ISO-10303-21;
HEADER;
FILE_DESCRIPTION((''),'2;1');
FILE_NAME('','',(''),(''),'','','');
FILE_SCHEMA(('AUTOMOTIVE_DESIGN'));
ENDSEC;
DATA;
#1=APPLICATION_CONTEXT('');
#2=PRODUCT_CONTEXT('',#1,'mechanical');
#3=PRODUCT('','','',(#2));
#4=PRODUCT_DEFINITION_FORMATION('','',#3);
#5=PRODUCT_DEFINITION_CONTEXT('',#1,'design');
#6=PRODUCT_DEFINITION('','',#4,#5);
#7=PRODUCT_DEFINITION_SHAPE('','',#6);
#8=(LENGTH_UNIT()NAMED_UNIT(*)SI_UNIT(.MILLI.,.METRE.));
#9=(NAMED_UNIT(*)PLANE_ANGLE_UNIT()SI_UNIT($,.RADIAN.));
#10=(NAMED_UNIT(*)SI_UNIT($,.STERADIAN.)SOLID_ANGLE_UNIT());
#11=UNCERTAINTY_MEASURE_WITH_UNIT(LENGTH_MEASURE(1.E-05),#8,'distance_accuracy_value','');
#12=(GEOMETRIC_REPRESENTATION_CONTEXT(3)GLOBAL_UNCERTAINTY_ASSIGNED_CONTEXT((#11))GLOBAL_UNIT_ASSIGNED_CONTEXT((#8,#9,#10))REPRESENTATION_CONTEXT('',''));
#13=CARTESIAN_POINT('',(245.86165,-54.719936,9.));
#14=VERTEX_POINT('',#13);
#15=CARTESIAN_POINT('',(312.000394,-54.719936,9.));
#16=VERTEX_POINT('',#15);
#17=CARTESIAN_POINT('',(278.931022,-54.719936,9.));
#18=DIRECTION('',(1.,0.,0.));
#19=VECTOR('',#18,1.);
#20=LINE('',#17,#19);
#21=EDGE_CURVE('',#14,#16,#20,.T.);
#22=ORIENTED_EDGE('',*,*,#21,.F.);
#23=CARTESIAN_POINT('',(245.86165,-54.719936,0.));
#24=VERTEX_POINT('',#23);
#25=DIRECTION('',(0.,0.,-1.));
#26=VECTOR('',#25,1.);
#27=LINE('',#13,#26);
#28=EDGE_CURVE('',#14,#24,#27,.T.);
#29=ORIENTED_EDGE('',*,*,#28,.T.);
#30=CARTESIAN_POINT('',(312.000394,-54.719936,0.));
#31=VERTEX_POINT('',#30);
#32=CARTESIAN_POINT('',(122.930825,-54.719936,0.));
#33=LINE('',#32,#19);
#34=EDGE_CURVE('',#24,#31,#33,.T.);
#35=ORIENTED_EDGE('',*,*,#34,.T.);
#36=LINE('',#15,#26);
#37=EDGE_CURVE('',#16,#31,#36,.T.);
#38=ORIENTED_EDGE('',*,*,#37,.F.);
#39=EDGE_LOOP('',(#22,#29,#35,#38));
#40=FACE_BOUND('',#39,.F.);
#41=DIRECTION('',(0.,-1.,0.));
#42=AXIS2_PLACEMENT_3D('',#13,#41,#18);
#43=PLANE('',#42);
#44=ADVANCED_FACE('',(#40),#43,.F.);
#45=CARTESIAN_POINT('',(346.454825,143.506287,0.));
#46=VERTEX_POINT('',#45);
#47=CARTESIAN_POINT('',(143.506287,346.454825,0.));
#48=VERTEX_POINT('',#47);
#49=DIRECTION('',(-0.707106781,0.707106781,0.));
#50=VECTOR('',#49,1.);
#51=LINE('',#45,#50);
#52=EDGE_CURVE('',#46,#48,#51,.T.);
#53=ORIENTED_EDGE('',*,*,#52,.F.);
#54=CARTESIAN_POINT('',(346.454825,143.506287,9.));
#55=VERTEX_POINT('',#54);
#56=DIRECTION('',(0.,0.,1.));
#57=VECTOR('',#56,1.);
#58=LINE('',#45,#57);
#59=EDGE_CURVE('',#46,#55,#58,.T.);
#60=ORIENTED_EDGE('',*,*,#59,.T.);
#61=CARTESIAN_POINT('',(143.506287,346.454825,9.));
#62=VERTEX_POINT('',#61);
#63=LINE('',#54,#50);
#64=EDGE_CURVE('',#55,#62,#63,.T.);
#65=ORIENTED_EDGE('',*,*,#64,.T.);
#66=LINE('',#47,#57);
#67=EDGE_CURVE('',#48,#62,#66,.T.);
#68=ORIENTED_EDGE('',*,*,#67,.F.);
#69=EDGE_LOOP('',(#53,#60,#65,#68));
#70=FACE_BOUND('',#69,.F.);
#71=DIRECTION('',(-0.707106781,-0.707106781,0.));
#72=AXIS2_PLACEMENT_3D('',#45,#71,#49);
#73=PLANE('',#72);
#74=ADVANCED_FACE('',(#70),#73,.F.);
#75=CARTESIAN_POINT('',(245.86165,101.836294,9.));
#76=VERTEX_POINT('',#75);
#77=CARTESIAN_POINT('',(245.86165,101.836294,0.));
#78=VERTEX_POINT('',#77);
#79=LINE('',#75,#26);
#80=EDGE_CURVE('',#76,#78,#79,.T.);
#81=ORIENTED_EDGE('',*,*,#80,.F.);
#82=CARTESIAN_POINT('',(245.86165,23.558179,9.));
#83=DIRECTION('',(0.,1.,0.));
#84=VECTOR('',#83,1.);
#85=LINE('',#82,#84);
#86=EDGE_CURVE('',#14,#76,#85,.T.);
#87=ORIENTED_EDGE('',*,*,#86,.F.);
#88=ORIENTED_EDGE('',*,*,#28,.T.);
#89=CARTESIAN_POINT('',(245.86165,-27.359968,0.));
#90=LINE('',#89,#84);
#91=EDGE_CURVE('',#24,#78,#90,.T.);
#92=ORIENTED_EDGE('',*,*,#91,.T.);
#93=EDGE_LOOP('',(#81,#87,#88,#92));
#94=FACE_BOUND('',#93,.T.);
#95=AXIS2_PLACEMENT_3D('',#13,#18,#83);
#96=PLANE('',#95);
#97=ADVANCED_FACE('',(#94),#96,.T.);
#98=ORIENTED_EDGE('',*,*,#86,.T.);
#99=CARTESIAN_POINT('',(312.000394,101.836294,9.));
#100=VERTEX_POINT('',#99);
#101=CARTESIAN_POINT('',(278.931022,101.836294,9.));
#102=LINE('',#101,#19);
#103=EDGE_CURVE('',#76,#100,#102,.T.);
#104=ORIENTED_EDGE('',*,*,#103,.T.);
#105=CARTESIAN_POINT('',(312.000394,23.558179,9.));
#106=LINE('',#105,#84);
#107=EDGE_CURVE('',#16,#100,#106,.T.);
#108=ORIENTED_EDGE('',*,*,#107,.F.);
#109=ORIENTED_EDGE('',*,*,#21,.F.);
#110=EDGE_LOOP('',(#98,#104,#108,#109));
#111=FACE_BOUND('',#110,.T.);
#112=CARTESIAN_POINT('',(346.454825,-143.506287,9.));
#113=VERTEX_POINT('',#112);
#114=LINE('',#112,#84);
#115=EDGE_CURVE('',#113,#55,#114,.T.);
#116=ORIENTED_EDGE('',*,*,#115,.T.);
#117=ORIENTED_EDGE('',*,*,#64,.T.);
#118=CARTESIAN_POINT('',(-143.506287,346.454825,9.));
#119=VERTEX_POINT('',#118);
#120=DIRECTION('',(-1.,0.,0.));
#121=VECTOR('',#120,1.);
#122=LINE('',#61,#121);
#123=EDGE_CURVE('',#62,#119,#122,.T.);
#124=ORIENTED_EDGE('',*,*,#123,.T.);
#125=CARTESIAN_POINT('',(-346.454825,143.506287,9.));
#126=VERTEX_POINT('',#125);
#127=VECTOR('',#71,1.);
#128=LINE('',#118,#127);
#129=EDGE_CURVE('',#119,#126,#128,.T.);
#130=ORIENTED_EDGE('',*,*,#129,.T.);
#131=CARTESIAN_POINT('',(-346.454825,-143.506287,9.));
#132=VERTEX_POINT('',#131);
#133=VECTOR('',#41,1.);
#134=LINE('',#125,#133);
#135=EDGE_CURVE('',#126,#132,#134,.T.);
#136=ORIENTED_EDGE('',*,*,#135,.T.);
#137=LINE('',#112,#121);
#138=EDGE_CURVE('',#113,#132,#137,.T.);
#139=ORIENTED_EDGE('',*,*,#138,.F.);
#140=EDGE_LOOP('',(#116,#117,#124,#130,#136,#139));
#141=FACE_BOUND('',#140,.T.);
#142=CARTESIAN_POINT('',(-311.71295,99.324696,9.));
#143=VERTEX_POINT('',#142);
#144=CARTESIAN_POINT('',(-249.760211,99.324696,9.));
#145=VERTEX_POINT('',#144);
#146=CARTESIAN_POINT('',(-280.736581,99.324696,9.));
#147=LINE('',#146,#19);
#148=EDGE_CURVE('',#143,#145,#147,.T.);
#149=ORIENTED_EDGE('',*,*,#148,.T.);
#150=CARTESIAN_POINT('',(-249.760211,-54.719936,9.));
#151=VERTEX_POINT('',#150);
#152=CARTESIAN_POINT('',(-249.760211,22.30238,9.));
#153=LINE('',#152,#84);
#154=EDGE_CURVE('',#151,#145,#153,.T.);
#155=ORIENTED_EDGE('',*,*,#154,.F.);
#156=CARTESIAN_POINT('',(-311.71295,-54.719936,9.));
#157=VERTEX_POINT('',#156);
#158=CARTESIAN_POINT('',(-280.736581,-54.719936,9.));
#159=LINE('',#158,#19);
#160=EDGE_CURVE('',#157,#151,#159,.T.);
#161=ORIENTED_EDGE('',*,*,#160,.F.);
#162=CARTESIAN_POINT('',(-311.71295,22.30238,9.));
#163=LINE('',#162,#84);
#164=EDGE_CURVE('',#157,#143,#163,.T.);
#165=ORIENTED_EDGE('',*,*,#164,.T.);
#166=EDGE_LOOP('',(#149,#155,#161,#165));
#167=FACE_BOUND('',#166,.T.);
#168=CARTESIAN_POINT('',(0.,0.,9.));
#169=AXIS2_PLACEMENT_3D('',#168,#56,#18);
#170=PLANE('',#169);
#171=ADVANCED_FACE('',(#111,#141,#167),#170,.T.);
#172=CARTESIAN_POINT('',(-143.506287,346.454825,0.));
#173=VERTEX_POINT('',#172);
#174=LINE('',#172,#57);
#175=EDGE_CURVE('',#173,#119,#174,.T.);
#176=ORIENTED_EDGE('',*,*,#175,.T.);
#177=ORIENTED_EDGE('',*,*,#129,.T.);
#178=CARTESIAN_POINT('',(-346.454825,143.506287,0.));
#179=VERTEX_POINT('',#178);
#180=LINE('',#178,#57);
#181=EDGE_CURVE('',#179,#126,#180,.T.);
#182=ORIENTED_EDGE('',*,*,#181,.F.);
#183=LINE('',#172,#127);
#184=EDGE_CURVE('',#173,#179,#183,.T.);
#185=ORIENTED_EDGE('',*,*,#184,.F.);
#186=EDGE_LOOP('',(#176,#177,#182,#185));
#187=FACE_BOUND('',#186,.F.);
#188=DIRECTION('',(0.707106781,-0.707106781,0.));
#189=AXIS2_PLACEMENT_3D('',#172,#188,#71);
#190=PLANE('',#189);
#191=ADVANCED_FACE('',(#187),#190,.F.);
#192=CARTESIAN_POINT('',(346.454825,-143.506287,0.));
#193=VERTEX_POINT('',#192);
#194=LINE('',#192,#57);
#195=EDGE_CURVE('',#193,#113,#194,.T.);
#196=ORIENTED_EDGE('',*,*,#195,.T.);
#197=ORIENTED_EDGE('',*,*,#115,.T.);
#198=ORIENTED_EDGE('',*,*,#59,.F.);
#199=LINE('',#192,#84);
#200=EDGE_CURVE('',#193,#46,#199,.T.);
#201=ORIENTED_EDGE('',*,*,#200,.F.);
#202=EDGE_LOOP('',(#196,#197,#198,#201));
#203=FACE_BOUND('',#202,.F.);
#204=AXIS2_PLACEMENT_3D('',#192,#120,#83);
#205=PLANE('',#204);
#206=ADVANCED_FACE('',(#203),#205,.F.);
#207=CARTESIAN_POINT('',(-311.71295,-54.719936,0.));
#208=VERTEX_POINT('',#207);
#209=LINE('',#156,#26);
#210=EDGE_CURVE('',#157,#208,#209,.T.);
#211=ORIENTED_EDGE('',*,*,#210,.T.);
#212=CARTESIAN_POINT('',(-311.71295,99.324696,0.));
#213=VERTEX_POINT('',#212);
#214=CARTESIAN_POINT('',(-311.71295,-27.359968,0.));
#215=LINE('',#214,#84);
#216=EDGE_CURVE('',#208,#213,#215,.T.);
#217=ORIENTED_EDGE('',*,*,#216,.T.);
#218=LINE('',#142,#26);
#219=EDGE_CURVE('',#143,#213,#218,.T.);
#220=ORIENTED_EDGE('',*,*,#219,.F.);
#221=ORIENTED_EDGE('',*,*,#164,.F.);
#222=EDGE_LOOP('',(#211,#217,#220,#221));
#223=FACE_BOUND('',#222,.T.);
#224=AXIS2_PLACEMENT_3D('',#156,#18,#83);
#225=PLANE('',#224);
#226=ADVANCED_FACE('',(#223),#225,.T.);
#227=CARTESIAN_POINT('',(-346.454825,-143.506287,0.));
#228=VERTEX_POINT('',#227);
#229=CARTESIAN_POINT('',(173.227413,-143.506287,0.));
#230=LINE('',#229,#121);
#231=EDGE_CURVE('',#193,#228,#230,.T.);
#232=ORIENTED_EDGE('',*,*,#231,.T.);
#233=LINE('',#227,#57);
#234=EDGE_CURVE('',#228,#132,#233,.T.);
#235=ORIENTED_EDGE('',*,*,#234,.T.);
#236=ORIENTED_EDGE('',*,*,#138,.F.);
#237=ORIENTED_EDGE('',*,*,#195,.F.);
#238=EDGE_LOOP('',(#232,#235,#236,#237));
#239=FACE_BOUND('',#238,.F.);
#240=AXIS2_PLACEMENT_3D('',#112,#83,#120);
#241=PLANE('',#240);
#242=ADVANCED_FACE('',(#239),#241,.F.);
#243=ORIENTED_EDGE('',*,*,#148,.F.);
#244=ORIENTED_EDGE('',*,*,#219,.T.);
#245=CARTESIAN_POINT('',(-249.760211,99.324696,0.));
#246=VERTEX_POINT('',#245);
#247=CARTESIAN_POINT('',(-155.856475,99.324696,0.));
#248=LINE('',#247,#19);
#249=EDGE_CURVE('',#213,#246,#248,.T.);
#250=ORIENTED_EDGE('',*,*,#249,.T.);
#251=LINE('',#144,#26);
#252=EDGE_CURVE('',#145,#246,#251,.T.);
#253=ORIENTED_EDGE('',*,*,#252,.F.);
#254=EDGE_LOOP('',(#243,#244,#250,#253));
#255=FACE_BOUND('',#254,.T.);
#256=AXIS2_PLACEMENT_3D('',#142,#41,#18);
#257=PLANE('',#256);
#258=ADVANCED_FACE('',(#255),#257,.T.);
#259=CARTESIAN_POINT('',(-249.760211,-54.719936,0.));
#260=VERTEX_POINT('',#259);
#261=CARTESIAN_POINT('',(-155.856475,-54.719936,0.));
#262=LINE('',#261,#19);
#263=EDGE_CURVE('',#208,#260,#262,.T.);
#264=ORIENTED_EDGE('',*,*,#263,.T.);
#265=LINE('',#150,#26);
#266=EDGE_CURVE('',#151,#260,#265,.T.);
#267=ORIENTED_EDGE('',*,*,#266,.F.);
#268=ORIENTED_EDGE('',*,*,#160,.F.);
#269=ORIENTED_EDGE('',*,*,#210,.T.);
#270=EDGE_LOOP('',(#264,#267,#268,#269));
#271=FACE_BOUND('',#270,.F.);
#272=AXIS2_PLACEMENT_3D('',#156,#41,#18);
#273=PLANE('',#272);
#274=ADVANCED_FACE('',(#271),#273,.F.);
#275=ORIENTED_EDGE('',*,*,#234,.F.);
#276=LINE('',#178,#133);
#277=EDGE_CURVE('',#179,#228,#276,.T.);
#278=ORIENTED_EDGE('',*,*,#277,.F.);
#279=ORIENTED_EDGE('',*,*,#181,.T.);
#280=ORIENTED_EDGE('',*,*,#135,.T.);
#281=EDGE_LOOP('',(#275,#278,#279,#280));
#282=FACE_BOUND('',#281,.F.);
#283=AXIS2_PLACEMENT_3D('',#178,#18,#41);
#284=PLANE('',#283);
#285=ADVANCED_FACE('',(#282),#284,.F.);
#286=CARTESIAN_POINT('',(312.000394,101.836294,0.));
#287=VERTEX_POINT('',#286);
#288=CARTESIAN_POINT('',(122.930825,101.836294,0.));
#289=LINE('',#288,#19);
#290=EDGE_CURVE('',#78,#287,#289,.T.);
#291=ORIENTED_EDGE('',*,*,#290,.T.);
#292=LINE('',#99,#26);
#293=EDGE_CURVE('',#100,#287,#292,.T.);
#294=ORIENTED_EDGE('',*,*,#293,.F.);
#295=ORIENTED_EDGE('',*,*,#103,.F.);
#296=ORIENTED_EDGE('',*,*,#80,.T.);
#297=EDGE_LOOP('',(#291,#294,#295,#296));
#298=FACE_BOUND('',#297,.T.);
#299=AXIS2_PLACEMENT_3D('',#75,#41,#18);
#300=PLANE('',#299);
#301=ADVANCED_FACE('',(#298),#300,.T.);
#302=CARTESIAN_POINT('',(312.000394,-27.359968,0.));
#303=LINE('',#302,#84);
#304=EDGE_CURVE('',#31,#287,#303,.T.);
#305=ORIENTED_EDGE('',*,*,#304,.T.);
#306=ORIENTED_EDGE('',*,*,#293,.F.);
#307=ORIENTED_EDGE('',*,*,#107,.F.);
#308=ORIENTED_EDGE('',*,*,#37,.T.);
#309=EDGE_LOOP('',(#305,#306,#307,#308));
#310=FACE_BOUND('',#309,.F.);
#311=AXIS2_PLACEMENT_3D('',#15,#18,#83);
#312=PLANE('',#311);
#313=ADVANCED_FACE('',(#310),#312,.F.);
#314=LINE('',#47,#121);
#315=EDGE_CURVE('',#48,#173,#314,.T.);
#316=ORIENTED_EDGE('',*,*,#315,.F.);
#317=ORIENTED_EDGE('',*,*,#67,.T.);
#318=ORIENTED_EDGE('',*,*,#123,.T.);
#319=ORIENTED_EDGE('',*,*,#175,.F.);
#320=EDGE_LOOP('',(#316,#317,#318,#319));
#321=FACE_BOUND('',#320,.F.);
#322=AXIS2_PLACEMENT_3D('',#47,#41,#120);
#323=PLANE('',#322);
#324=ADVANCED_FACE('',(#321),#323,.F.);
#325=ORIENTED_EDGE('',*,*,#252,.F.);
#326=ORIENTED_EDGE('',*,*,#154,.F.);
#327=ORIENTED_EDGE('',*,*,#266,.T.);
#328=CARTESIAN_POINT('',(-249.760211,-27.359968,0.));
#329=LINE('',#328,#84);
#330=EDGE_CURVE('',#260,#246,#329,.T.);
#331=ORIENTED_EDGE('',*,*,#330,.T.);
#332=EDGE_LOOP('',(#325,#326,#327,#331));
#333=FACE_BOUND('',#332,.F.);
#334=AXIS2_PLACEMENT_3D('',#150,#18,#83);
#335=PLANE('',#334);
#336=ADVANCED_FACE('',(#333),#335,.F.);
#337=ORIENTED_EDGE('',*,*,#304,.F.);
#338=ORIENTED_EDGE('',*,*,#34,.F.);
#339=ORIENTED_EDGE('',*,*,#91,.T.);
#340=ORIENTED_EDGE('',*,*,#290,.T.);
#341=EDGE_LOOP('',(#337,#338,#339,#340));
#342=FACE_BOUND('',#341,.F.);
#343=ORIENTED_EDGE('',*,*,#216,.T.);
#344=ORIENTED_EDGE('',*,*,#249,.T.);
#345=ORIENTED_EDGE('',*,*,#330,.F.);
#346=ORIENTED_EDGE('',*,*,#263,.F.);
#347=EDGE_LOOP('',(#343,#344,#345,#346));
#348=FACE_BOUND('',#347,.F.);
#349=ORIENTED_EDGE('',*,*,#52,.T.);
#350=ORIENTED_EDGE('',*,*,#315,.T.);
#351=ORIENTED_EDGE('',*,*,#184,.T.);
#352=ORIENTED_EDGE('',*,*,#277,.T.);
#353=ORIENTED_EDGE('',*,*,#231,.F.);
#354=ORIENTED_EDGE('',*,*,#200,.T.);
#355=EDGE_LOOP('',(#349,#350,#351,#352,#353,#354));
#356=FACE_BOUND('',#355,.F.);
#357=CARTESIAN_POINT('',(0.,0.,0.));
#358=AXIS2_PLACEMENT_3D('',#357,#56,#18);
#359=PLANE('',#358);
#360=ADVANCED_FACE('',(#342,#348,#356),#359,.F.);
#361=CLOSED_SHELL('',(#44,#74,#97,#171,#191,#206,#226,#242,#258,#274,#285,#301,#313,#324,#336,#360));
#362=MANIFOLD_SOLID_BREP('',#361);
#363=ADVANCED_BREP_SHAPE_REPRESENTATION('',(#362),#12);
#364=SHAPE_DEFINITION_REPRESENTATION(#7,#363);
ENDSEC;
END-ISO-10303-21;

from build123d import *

# Parameters (mm, degrees)
F1_DEPTH = 9
F3_DEPTH = 9.001
F4_W     = 61.952739
F4_H     = 154.044632
F5_DEPTH = 9.001
F4_W_2   = 66.138744
F4_H_2   = 156.55623
F6_DEPTH = 9.001


with BuildPart() as f1:
    # F0 (on Top) → F1 (new body)
    with BuildSketch(Plane.XY):
        Polygon((143.506287, 346.454825), (-143.506287, 346.454825), (-346.454825, 143.506287), (-346.454825, -143.506287), (-143.506287, -346.454825), (143.506287, -346.454825), (346.454825, -143.506287), (346.454825, 143.506287), align=None)
    extrude(amount=F1_DEPTH)

    # F2 (on face) → F3 (cut, through all)
    with BuildSketch(Plane.XY.offset(9)):
        Polygon((346.454825, -143.506287), (-346.454825, -143.506287), (-143.506287, -346.454825), (143.506287, -346.454825), align=None)
    extrude(amount=-F3_DEPTH, mode=Mode.SUBTRACT)

    # F4 (on face) → F5 (cut, through all)
    with BuildSketch(Plane.XY.offset(9)):
        with Locations((-280.736581, 22.30238)):
            Rectangle(F4_W, F4_H)
    extrude(amount=-F5_DEPTH, mode=Mode.SUBTRACT)

    # F4 (on face) → F6 (cut, through all)
    with BuildSketch(Plane.XY.offset(9)):
        with Locations((278.931022, 23.558179)):
            Rectangle(F4_W_2, F4_H_2)
    extrude(amount=-F6_DEPTH, mode=Mode.SUBTRACT)


solid = f1.part
